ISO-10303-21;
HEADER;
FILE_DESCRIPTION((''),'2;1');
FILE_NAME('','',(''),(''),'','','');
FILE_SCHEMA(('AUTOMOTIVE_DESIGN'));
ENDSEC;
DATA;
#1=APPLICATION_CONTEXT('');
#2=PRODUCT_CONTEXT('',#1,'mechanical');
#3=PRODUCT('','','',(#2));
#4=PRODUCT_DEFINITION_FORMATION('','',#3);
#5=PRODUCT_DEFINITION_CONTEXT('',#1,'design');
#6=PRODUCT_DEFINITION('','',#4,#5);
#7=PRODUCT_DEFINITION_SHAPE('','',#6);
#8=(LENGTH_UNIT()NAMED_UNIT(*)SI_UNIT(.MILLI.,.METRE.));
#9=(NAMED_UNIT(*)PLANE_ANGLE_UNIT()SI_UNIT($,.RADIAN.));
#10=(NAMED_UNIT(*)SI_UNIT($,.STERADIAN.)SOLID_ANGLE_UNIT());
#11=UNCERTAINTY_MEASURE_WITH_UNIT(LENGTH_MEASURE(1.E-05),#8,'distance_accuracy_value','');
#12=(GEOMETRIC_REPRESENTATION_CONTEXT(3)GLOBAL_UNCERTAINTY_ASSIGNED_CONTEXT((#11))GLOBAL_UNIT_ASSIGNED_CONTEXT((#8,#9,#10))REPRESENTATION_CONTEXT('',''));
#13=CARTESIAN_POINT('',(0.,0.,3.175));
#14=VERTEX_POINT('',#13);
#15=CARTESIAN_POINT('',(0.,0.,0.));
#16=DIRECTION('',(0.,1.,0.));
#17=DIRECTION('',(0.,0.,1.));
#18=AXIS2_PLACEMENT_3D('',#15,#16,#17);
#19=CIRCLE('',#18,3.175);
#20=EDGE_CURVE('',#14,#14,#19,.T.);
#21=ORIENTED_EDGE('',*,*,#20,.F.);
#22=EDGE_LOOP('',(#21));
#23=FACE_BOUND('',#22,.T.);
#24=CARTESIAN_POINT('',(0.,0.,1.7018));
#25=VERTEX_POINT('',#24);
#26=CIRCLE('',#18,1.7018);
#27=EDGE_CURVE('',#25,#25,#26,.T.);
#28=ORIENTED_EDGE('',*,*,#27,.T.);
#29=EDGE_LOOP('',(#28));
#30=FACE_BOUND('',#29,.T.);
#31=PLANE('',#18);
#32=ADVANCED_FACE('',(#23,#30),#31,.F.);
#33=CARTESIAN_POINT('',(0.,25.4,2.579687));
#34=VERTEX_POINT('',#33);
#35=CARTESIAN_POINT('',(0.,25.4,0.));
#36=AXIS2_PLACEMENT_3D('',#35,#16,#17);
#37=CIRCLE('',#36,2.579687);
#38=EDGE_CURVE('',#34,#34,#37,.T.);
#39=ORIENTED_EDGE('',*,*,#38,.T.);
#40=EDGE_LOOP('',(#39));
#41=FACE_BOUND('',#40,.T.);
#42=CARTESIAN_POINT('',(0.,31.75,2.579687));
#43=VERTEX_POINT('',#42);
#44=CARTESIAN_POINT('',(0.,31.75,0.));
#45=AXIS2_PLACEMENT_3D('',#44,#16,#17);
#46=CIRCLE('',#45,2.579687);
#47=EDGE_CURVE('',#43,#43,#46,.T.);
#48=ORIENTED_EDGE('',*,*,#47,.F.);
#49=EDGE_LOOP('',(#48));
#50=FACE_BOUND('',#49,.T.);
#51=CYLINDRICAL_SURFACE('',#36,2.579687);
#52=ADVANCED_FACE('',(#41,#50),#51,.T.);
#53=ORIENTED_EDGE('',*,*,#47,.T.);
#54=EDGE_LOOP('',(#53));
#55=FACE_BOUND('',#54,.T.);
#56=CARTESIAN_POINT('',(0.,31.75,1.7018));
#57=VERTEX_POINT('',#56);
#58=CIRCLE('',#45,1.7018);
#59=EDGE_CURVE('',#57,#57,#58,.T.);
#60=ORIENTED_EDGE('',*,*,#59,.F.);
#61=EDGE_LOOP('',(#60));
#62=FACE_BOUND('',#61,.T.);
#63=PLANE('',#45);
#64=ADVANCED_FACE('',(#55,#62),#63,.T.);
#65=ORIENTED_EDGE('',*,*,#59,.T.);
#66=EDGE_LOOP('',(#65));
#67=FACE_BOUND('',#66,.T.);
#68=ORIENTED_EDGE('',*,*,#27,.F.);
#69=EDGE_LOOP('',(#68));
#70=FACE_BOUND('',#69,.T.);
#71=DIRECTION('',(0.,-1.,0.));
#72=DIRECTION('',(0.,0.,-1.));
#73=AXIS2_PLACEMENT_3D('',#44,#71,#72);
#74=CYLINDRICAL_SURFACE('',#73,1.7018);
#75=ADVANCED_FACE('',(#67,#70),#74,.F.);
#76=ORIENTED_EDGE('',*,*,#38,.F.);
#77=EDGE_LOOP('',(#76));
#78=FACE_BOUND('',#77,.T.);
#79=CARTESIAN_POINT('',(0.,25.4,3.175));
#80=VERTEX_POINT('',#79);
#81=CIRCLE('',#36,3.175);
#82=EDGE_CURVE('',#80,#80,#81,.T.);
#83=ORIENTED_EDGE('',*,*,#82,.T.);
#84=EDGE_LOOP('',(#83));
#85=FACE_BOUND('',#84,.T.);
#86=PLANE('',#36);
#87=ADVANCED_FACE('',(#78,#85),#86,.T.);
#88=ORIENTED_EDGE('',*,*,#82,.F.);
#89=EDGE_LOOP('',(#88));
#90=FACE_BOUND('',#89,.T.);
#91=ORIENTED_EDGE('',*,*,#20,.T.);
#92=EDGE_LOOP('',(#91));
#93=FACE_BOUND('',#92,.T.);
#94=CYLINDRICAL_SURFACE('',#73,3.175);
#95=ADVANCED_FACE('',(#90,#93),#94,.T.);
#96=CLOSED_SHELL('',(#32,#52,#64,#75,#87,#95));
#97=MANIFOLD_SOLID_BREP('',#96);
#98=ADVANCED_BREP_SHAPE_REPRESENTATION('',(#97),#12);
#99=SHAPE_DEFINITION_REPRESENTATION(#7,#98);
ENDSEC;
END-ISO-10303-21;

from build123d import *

# Parameters (mm, degrees)
SKETCH1_R          = 3.175
SKETCH1_R_2        = 1.7018
EXTRUDE1_DEPTH     = 31.75
SKETCH2_R          = 3.175
SKETCH2_R_2        = 2.5796875
CUT_EXTRUDE1_DEPTH = 6.35


with BuildPart() as part:
    # Sketch1 → Extrude1 (new body)
    with BuildSketch(Plane(origin=(0, 0, 0), x_dir=(1, 0, 0), z_dir=(0, 1, 0))):
        Circle(SKETCH1_R)
        Circle(SKETCH1_R_2, mode=Mode.SUBTRACT)
    extrude(amount=EXTRUDE1_DEPTH)

    # Sketch2 → Cut-Extrude1 (cut)
    with BuildSketch(Plane(origin=(0, 31.75, 0), x_dir=(-1, 0, 0), z_dir=(0, 1, 0))):
        Circle(SKETCH2_R)
        Circle(SKETCH2_R_2, mode=Mode.SUBTRACT)
    extrude(amount=-CUT_EXTRUDE1_DEPTH, mode=Mode.SUBTRACT)


solid = part.part
